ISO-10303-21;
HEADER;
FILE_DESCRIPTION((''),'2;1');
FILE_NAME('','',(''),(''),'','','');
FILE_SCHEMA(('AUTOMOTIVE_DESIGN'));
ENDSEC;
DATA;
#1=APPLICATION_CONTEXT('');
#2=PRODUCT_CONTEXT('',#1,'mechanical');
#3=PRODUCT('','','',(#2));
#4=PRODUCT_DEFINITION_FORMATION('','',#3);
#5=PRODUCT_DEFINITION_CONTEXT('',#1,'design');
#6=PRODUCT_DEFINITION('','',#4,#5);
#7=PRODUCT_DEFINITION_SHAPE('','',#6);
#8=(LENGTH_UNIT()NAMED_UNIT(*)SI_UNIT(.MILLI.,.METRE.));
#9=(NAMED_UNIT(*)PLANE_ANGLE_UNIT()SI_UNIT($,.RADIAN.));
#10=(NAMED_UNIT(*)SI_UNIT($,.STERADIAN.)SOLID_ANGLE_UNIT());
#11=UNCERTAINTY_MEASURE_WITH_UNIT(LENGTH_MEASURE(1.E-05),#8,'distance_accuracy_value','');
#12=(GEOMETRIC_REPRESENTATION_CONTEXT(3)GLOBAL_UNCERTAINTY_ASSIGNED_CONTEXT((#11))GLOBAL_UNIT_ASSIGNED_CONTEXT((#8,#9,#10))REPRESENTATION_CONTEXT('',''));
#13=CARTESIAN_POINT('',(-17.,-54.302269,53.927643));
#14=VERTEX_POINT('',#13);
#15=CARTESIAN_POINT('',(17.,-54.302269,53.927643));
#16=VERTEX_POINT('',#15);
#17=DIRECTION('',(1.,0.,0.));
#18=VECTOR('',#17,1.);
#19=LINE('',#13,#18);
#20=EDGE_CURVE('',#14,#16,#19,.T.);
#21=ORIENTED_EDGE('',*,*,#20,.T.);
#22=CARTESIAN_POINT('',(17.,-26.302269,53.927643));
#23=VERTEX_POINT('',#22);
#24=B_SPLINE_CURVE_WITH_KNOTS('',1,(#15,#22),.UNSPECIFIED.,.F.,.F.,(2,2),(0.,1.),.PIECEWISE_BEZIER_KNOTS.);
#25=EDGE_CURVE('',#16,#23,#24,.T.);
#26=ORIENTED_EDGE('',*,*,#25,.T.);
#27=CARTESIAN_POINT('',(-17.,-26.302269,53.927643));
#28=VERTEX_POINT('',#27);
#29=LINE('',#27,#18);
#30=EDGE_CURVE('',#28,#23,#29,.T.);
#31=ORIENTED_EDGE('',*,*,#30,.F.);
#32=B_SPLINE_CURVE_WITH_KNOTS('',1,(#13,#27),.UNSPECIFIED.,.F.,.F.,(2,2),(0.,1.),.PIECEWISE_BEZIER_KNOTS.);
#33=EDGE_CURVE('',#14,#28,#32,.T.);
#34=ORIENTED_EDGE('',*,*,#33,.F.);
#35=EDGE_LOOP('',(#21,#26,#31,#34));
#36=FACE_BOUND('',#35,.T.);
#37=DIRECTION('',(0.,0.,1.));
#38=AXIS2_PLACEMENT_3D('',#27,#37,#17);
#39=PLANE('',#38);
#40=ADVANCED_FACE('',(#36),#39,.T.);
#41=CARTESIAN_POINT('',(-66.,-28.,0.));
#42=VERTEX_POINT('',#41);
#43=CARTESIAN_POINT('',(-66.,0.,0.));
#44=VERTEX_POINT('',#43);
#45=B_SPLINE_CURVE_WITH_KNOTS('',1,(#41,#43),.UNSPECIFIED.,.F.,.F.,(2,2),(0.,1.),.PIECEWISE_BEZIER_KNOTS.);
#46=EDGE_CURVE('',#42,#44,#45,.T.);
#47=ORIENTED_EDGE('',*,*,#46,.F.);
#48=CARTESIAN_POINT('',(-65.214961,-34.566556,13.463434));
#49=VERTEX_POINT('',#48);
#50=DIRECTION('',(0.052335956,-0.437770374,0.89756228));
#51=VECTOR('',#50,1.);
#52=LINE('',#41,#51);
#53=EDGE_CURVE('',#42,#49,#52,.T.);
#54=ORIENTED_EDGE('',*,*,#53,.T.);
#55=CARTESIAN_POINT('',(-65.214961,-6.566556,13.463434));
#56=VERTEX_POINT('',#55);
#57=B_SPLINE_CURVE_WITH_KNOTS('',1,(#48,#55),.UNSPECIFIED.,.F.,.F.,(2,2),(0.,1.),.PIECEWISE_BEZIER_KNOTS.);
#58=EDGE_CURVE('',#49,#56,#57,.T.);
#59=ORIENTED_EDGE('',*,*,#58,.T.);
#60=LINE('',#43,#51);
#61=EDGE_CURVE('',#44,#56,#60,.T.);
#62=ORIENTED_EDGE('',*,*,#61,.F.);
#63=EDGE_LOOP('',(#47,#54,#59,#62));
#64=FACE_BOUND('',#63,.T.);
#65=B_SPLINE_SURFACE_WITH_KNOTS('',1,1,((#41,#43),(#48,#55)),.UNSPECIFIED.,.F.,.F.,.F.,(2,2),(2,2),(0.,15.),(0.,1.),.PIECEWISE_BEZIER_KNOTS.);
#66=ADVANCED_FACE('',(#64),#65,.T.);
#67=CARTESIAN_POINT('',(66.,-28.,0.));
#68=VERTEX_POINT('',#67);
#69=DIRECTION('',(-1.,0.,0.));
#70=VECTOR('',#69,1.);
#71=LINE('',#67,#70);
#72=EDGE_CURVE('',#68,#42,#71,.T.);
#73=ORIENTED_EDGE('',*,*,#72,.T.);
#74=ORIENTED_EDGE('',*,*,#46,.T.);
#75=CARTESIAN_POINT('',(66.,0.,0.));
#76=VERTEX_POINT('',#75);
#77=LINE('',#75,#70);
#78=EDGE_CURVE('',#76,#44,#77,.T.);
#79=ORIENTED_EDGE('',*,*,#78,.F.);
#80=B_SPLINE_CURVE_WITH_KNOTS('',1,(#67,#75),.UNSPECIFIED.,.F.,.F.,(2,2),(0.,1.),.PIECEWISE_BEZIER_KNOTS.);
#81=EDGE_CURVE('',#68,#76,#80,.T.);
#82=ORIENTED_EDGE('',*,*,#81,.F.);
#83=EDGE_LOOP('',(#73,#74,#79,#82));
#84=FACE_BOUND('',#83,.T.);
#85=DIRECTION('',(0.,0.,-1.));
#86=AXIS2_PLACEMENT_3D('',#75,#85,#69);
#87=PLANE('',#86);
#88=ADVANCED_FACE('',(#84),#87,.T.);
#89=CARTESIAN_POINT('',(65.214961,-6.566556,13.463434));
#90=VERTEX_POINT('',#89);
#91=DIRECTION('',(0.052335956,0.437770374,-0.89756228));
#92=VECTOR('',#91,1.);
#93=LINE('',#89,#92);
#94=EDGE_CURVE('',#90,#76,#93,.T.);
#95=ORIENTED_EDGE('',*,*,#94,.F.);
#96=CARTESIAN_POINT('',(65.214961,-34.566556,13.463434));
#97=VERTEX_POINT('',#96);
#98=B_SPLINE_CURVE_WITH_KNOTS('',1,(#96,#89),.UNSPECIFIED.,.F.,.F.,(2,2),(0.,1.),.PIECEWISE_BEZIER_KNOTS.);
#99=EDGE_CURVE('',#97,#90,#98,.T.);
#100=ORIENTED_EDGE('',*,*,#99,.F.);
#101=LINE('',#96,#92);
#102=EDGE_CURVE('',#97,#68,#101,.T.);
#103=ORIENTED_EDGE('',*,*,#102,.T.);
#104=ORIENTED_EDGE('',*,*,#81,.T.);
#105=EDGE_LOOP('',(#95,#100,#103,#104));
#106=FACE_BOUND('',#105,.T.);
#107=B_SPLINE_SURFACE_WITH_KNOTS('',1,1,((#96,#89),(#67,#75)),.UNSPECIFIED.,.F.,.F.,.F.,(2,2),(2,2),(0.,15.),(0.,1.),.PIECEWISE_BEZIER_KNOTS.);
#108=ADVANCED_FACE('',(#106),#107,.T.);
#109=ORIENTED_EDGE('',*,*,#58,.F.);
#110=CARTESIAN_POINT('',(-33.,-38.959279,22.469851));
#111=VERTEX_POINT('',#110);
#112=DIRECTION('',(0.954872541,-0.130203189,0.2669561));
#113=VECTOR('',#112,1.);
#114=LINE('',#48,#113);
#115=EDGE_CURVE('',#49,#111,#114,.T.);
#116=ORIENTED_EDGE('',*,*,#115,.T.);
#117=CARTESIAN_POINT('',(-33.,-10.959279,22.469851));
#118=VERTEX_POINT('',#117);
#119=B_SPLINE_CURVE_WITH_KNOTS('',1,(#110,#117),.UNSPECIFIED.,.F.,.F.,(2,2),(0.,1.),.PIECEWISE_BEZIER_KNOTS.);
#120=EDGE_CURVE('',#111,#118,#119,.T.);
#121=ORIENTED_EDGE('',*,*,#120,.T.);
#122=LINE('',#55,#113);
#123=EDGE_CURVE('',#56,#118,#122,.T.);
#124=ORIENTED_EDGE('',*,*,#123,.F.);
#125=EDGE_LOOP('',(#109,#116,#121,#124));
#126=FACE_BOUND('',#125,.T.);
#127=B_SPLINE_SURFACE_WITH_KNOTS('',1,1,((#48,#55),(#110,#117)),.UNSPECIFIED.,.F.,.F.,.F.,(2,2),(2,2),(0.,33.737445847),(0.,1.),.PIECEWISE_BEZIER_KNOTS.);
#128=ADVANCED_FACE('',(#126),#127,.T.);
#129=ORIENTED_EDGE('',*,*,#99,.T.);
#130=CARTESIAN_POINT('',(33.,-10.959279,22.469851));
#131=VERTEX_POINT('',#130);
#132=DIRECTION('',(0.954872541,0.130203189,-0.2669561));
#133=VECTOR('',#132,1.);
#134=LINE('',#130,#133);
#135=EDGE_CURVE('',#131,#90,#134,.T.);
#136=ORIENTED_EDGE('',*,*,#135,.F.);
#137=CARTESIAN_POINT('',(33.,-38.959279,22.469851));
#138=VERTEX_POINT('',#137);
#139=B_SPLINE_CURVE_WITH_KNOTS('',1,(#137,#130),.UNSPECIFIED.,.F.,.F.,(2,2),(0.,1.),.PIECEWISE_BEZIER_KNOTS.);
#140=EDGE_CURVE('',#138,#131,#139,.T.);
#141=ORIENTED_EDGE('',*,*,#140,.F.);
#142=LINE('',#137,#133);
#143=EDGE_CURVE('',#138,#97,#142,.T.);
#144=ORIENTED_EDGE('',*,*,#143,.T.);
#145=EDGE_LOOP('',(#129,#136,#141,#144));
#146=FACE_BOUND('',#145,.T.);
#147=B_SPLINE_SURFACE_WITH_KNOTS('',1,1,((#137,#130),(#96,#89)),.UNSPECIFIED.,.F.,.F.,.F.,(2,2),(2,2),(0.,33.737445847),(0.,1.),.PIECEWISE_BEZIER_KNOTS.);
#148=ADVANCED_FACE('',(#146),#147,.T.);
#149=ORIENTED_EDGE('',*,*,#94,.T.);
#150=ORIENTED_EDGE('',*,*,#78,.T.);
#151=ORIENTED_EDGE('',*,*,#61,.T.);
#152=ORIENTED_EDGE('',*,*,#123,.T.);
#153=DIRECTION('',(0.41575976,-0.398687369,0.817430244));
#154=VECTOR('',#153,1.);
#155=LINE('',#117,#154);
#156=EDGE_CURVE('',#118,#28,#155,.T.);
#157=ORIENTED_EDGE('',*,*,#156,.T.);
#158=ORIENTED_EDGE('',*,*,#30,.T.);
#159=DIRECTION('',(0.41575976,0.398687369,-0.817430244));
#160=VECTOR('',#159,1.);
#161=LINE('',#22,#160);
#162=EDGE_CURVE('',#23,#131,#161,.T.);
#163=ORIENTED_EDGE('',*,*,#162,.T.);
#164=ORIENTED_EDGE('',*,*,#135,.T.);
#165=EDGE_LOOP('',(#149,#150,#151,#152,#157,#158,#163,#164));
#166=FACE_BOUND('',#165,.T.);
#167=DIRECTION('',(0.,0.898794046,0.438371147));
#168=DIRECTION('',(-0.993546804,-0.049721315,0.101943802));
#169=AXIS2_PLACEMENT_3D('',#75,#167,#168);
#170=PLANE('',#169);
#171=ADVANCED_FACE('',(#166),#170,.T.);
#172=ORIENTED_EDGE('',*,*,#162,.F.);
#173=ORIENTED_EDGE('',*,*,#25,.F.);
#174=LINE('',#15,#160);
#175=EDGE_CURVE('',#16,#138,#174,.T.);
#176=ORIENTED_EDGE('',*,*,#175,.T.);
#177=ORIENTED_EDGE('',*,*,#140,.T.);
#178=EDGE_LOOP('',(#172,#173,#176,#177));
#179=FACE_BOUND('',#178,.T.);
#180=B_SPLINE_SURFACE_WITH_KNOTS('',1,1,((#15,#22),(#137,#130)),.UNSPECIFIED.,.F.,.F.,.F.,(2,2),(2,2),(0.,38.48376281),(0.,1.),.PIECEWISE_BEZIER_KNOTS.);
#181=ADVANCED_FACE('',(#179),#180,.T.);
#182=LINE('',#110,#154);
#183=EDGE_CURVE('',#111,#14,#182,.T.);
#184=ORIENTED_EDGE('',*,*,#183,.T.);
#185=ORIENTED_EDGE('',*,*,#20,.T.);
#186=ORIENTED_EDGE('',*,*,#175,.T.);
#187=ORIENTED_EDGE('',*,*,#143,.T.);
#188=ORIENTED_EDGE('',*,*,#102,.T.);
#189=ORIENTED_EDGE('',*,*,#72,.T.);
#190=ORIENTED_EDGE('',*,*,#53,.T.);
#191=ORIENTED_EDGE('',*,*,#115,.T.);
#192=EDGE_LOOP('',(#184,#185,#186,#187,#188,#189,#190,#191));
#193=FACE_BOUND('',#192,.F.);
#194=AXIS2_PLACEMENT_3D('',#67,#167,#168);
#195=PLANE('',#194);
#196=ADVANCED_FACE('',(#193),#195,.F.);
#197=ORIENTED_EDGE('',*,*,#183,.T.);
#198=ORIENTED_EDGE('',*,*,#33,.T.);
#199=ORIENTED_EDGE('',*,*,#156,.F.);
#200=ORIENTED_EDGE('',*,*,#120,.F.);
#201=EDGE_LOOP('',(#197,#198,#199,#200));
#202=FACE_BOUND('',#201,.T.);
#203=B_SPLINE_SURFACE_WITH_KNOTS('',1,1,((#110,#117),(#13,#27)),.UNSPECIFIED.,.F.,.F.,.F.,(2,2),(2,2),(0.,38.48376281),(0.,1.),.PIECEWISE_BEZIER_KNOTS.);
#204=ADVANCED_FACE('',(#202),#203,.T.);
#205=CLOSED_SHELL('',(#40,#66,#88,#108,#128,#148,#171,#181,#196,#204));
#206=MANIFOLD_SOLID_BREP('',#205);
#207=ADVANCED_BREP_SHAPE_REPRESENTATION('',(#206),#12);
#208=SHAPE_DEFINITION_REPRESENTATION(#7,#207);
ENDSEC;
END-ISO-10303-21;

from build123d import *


with BuildPart() as f6:
    # F5 (on plane+point) → F6 section 0
    with BuildSketch(Plane(origin=(0, -22.6192606546, -11.0321505505), x_dir=(-1, 0, 0), z_dir=(0, 0.8987940463, 0.4383711468))):
        Polygon((-66, 12.2743921101), (0, 12.2743921101), (66, 12.2743921101), (65.2149606564, 27.2538351314), (33, 37.2743921101), (17, 72.2743921101), (0, 72.2743921101), (-17, 72.2743921101), (-33, 37.2743921101), (-65.2149606564, 27.2538351314), align=None)
    # F2 (on line) → F6 section 1
    with BuildSketch(Plane(origin=(0, 0, 0), x_dir=(-1, 0, 0), z_dir=(0, 0.8987940463, 0.4383711468))):
        Polygon((-66, 0), (0, 0), (66, 0), (65.2149606564, 14.9794430213), (33, 25), (17, 60), (0, 60), (-17, 60), (-33, 25), (-65.2149606564, 14.9794430213), align=None)
    loft()


solid = f6.part
